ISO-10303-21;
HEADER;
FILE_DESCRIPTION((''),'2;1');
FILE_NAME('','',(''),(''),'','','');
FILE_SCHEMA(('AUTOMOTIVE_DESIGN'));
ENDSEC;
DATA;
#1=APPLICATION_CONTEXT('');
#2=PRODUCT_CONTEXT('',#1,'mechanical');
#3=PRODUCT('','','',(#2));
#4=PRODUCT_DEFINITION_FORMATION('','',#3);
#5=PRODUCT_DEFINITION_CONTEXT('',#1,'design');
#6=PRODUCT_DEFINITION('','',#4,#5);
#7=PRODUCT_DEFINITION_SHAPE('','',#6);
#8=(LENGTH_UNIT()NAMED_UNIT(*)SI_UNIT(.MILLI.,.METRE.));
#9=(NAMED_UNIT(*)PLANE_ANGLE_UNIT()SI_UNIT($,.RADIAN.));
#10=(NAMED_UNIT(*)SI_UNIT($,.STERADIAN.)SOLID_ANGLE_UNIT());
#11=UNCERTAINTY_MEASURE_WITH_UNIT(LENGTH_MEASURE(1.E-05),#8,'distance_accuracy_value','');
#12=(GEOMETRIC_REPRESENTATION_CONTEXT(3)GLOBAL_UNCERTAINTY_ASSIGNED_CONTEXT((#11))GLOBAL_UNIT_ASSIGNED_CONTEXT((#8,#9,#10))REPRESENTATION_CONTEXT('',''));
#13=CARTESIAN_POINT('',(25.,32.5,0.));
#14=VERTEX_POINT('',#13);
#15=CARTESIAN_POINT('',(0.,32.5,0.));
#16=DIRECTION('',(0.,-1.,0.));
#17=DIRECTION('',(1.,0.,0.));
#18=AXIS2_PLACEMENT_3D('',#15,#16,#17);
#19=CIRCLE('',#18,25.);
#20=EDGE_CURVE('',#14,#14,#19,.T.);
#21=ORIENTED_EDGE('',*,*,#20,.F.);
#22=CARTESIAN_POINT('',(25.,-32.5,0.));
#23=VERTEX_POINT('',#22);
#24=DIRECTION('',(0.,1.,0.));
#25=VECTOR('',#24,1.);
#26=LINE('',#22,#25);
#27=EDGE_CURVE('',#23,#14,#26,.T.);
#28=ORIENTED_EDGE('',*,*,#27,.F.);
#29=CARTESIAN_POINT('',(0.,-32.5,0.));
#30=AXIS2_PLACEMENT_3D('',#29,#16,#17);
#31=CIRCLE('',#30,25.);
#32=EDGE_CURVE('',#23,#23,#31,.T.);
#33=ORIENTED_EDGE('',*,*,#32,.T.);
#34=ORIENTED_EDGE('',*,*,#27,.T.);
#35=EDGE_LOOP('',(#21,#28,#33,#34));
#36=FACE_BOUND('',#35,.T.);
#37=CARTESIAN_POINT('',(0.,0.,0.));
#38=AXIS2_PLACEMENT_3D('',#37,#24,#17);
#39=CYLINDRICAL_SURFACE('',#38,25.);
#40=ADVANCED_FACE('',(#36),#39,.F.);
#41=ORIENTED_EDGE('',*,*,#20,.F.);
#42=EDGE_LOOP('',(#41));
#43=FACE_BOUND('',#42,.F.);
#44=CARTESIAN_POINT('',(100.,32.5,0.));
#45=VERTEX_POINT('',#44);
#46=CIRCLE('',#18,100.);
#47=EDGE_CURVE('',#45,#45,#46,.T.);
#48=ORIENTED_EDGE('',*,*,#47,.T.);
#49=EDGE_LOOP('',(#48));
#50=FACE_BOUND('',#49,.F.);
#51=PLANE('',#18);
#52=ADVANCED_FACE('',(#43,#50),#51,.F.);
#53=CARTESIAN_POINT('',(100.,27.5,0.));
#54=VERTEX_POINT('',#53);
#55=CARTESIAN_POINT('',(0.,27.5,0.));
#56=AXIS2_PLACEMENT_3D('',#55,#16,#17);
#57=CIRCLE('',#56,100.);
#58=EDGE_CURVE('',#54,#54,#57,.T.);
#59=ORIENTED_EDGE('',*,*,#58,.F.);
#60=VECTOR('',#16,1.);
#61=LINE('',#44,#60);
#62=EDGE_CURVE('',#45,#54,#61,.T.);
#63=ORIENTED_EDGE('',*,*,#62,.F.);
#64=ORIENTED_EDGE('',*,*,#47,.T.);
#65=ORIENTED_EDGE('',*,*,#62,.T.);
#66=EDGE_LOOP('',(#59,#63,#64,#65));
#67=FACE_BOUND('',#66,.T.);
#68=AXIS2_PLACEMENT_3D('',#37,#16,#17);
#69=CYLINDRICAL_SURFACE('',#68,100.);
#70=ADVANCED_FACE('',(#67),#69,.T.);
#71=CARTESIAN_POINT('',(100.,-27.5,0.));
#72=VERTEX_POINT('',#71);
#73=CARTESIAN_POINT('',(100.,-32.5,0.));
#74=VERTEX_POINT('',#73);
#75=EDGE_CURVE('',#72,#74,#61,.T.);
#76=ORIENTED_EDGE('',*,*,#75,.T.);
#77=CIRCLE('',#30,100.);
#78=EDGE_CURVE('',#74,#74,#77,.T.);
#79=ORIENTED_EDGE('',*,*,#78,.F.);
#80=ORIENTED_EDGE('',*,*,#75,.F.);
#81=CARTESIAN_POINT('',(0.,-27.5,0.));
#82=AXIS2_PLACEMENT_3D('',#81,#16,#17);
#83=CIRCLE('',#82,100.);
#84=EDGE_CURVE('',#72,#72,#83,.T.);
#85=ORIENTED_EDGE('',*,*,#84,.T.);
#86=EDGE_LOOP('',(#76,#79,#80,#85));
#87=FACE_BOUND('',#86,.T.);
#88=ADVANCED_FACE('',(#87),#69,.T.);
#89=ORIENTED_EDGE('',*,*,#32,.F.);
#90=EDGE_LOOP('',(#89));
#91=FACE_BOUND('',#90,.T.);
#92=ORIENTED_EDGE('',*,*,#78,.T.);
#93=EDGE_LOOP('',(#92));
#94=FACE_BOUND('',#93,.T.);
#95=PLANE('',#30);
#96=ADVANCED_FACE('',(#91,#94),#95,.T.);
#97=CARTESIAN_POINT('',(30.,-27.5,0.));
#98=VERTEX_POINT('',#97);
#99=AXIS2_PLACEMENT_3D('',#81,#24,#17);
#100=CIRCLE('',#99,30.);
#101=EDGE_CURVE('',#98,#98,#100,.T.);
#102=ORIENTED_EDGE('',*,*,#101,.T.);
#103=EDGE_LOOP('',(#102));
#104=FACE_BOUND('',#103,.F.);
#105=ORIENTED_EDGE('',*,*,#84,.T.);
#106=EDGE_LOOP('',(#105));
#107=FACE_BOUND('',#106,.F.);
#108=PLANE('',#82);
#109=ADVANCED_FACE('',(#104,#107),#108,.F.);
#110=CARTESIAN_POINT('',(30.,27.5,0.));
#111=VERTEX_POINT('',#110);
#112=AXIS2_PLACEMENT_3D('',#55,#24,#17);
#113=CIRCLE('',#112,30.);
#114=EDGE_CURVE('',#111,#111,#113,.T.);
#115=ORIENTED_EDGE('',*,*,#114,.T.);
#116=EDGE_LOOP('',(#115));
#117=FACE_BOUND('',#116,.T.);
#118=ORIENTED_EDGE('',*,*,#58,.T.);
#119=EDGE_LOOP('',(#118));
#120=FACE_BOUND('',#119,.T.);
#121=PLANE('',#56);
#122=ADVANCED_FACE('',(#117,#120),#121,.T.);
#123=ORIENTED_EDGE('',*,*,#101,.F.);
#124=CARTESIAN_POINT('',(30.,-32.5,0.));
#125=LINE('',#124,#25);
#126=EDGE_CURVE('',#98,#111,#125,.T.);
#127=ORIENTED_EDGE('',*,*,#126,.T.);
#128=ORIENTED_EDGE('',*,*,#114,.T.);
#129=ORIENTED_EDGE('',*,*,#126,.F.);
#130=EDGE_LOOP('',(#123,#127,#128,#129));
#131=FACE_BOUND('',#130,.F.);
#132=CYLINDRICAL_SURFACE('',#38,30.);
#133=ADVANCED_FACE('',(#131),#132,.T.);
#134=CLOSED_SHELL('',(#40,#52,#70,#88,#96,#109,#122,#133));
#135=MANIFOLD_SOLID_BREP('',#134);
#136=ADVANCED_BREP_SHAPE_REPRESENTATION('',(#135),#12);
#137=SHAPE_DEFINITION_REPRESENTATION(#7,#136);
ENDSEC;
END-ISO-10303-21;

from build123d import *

# Parameters (mm, degrees)
F0_R     = 100
F0_R_2   = 25
F1_DEPTH = 32.5
F2_T     = -5


with BuildPart() as f1:
    # F0 (on Front) → F1 (new body, symmetric)
    with BuildSketch(Plane.XZ):
        Circle(F0_R)
        Circle(F0_R_2, mode=Mode.SUBTRACT)
    extrude(amount=F1_DEPTH, both=True)

    # F2
    f2_openings = [f1.faces().sort_by_distance(p)[0] for p in [
        (-100, 0, 0),
    ]]
    offset(amount=F2_T, openings=f2_openings)


solid = f1.part
